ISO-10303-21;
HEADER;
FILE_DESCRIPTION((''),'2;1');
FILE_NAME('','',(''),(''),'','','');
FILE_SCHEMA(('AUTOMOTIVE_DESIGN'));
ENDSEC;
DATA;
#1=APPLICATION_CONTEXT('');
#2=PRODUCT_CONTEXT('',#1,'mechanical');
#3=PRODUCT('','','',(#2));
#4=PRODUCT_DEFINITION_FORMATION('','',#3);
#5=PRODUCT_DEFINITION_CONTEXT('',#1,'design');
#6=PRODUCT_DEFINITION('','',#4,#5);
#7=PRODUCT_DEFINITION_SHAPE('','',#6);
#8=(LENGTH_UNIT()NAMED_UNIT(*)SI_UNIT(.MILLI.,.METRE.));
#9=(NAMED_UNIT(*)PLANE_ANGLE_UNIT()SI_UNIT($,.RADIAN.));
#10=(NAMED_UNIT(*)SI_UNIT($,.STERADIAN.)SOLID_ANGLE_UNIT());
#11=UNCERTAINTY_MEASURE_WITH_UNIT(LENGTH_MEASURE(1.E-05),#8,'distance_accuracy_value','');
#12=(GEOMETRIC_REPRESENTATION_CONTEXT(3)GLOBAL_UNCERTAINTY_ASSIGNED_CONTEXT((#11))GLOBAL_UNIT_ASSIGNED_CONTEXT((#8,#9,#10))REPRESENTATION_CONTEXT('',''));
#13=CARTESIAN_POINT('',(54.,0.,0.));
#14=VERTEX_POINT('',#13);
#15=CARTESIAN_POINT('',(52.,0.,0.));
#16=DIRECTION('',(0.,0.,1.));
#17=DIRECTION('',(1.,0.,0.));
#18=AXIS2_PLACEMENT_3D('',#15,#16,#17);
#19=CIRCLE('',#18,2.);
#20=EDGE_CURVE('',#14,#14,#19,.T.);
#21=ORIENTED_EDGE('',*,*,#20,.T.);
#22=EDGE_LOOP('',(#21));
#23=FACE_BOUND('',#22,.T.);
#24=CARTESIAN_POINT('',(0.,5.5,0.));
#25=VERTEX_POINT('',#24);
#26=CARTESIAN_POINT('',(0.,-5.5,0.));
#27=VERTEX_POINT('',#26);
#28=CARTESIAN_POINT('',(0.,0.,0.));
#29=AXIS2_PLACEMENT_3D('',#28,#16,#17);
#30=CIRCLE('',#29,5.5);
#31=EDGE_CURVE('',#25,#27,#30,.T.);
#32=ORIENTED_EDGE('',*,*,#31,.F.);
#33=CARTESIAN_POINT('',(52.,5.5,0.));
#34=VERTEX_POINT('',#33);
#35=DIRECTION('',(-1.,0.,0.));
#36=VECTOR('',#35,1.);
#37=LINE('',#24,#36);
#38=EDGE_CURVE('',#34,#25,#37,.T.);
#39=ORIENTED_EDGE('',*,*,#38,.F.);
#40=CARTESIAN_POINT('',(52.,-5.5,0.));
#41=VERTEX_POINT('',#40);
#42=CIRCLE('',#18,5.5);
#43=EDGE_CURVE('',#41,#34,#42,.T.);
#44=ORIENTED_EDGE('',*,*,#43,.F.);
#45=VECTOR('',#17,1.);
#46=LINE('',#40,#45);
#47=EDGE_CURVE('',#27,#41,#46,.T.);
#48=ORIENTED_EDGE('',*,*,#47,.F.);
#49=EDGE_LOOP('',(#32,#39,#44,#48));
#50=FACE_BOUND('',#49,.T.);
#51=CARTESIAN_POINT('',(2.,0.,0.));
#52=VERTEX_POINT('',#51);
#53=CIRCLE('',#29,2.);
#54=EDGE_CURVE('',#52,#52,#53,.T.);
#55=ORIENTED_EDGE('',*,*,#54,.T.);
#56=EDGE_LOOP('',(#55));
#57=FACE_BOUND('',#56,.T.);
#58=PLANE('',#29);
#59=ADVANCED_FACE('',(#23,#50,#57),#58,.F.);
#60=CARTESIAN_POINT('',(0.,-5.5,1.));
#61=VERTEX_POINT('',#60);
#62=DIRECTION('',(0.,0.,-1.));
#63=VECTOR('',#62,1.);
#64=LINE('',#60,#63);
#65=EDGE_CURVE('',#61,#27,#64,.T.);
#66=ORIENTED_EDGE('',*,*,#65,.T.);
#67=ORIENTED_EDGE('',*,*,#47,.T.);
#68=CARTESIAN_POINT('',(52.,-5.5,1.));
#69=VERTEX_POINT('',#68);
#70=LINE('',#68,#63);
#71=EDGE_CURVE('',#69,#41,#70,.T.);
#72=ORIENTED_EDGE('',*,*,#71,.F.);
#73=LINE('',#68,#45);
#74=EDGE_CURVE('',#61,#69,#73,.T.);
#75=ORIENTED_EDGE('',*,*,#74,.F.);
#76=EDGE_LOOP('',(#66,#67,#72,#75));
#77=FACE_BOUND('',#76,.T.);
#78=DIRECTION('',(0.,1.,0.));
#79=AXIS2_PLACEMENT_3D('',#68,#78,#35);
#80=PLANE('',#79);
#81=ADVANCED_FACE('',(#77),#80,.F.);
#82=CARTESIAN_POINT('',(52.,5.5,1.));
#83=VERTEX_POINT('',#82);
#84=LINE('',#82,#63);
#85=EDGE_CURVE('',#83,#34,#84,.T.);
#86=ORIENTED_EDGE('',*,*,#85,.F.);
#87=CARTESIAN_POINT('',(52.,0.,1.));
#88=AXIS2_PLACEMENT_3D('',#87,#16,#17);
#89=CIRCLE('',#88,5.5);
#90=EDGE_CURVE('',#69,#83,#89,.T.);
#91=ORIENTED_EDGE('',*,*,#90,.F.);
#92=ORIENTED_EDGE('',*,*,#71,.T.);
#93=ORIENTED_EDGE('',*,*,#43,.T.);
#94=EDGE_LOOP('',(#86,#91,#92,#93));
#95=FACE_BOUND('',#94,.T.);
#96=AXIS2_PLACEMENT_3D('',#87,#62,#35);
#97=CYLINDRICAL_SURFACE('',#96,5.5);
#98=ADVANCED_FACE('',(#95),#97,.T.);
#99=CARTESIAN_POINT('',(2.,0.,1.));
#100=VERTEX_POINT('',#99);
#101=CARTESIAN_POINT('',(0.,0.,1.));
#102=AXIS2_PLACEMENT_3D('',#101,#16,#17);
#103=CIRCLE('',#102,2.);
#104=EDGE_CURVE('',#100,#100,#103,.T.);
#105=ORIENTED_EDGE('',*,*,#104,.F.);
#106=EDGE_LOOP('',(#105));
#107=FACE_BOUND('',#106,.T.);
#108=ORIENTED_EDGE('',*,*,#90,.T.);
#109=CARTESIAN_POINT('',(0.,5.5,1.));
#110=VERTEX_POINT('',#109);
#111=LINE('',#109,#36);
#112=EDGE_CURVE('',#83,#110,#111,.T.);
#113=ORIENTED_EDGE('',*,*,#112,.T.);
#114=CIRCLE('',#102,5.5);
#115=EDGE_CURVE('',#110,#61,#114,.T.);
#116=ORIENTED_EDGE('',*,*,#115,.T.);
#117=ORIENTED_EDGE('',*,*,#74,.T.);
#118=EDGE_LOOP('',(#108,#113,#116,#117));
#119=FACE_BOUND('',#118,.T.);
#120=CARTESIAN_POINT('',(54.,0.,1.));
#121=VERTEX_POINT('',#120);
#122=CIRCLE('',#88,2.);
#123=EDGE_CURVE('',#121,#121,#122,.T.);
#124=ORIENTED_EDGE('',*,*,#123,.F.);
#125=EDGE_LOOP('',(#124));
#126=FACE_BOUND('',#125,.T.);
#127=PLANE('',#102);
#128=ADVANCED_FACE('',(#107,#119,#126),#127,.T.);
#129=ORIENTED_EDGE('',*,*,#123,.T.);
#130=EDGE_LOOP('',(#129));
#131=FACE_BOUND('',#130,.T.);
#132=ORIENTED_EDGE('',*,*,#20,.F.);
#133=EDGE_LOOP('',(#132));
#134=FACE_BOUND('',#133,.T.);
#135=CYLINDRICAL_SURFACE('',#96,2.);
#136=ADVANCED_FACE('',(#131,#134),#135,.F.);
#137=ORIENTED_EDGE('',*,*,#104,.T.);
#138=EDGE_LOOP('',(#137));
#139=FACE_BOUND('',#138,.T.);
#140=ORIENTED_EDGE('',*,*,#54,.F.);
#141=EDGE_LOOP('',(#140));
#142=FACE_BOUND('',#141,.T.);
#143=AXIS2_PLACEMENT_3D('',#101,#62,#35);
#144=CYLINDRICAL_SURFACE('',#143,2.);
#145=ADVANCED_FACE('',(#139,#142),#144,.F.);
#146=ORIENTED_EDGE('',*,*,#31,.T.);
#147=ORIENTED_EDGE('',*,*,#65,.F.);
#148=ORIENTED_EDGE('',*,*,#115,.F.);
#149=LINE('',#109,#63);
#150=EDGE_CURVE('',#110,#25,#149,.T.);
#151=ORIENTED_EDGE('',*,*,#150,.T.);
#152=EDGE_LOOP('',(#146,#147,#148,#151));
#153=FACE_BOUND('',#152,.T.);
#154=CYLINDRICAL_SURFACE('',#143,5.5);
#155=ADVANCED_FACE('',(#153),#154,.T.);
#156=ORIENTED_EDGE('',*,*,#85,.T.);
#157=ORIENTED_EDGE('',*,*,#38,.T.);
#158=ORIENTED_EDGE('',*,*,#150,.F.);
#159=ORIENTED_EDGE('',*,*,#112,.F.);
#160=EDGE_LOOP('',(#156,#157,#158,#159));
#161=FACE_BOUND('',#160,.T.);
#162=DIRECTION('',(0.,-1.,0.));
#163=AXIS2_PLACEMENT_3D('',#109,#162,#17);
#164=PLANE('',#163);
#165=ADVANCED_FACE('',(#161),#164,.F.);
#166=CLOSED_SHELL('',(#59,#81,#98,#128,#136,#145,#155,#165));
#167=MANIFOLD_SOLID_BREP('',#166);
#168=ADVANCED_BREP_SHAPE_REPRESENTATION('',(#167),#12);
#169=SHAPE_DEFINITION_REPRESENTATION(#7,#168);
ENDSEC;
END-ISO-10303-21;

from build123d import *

# Parameters (mm, degrees)
ESQUISSE1_R      = 2
EXTRUSION1_DEPTH = 1


with BuildPart() as part:
    # Esquisse1 → Extrusion1 (new body)
    with BuildSketch(Plane.XY):
        with BuildLine():
            Line((0, 5.5), (52, 5.5))
            ThreePointArc((52, 5.5), (57.5, 0), (52, -5.5))
            Line((52, -5.5), (0, -5.5))
            ThreePointArc((0, -5.5), (-5.5, 0), (0, 5.5))
        make_face()
        with Locations((52, 0)):
            Circle(ESQUISSE1_R, mode=Mode.SUBTRACT)
        Circle(ESQUISSE1_R, mode=Mode.SUBTRACT)
    extrude(amount=EXTRUSION1_DEPTH)


solid = part.part
